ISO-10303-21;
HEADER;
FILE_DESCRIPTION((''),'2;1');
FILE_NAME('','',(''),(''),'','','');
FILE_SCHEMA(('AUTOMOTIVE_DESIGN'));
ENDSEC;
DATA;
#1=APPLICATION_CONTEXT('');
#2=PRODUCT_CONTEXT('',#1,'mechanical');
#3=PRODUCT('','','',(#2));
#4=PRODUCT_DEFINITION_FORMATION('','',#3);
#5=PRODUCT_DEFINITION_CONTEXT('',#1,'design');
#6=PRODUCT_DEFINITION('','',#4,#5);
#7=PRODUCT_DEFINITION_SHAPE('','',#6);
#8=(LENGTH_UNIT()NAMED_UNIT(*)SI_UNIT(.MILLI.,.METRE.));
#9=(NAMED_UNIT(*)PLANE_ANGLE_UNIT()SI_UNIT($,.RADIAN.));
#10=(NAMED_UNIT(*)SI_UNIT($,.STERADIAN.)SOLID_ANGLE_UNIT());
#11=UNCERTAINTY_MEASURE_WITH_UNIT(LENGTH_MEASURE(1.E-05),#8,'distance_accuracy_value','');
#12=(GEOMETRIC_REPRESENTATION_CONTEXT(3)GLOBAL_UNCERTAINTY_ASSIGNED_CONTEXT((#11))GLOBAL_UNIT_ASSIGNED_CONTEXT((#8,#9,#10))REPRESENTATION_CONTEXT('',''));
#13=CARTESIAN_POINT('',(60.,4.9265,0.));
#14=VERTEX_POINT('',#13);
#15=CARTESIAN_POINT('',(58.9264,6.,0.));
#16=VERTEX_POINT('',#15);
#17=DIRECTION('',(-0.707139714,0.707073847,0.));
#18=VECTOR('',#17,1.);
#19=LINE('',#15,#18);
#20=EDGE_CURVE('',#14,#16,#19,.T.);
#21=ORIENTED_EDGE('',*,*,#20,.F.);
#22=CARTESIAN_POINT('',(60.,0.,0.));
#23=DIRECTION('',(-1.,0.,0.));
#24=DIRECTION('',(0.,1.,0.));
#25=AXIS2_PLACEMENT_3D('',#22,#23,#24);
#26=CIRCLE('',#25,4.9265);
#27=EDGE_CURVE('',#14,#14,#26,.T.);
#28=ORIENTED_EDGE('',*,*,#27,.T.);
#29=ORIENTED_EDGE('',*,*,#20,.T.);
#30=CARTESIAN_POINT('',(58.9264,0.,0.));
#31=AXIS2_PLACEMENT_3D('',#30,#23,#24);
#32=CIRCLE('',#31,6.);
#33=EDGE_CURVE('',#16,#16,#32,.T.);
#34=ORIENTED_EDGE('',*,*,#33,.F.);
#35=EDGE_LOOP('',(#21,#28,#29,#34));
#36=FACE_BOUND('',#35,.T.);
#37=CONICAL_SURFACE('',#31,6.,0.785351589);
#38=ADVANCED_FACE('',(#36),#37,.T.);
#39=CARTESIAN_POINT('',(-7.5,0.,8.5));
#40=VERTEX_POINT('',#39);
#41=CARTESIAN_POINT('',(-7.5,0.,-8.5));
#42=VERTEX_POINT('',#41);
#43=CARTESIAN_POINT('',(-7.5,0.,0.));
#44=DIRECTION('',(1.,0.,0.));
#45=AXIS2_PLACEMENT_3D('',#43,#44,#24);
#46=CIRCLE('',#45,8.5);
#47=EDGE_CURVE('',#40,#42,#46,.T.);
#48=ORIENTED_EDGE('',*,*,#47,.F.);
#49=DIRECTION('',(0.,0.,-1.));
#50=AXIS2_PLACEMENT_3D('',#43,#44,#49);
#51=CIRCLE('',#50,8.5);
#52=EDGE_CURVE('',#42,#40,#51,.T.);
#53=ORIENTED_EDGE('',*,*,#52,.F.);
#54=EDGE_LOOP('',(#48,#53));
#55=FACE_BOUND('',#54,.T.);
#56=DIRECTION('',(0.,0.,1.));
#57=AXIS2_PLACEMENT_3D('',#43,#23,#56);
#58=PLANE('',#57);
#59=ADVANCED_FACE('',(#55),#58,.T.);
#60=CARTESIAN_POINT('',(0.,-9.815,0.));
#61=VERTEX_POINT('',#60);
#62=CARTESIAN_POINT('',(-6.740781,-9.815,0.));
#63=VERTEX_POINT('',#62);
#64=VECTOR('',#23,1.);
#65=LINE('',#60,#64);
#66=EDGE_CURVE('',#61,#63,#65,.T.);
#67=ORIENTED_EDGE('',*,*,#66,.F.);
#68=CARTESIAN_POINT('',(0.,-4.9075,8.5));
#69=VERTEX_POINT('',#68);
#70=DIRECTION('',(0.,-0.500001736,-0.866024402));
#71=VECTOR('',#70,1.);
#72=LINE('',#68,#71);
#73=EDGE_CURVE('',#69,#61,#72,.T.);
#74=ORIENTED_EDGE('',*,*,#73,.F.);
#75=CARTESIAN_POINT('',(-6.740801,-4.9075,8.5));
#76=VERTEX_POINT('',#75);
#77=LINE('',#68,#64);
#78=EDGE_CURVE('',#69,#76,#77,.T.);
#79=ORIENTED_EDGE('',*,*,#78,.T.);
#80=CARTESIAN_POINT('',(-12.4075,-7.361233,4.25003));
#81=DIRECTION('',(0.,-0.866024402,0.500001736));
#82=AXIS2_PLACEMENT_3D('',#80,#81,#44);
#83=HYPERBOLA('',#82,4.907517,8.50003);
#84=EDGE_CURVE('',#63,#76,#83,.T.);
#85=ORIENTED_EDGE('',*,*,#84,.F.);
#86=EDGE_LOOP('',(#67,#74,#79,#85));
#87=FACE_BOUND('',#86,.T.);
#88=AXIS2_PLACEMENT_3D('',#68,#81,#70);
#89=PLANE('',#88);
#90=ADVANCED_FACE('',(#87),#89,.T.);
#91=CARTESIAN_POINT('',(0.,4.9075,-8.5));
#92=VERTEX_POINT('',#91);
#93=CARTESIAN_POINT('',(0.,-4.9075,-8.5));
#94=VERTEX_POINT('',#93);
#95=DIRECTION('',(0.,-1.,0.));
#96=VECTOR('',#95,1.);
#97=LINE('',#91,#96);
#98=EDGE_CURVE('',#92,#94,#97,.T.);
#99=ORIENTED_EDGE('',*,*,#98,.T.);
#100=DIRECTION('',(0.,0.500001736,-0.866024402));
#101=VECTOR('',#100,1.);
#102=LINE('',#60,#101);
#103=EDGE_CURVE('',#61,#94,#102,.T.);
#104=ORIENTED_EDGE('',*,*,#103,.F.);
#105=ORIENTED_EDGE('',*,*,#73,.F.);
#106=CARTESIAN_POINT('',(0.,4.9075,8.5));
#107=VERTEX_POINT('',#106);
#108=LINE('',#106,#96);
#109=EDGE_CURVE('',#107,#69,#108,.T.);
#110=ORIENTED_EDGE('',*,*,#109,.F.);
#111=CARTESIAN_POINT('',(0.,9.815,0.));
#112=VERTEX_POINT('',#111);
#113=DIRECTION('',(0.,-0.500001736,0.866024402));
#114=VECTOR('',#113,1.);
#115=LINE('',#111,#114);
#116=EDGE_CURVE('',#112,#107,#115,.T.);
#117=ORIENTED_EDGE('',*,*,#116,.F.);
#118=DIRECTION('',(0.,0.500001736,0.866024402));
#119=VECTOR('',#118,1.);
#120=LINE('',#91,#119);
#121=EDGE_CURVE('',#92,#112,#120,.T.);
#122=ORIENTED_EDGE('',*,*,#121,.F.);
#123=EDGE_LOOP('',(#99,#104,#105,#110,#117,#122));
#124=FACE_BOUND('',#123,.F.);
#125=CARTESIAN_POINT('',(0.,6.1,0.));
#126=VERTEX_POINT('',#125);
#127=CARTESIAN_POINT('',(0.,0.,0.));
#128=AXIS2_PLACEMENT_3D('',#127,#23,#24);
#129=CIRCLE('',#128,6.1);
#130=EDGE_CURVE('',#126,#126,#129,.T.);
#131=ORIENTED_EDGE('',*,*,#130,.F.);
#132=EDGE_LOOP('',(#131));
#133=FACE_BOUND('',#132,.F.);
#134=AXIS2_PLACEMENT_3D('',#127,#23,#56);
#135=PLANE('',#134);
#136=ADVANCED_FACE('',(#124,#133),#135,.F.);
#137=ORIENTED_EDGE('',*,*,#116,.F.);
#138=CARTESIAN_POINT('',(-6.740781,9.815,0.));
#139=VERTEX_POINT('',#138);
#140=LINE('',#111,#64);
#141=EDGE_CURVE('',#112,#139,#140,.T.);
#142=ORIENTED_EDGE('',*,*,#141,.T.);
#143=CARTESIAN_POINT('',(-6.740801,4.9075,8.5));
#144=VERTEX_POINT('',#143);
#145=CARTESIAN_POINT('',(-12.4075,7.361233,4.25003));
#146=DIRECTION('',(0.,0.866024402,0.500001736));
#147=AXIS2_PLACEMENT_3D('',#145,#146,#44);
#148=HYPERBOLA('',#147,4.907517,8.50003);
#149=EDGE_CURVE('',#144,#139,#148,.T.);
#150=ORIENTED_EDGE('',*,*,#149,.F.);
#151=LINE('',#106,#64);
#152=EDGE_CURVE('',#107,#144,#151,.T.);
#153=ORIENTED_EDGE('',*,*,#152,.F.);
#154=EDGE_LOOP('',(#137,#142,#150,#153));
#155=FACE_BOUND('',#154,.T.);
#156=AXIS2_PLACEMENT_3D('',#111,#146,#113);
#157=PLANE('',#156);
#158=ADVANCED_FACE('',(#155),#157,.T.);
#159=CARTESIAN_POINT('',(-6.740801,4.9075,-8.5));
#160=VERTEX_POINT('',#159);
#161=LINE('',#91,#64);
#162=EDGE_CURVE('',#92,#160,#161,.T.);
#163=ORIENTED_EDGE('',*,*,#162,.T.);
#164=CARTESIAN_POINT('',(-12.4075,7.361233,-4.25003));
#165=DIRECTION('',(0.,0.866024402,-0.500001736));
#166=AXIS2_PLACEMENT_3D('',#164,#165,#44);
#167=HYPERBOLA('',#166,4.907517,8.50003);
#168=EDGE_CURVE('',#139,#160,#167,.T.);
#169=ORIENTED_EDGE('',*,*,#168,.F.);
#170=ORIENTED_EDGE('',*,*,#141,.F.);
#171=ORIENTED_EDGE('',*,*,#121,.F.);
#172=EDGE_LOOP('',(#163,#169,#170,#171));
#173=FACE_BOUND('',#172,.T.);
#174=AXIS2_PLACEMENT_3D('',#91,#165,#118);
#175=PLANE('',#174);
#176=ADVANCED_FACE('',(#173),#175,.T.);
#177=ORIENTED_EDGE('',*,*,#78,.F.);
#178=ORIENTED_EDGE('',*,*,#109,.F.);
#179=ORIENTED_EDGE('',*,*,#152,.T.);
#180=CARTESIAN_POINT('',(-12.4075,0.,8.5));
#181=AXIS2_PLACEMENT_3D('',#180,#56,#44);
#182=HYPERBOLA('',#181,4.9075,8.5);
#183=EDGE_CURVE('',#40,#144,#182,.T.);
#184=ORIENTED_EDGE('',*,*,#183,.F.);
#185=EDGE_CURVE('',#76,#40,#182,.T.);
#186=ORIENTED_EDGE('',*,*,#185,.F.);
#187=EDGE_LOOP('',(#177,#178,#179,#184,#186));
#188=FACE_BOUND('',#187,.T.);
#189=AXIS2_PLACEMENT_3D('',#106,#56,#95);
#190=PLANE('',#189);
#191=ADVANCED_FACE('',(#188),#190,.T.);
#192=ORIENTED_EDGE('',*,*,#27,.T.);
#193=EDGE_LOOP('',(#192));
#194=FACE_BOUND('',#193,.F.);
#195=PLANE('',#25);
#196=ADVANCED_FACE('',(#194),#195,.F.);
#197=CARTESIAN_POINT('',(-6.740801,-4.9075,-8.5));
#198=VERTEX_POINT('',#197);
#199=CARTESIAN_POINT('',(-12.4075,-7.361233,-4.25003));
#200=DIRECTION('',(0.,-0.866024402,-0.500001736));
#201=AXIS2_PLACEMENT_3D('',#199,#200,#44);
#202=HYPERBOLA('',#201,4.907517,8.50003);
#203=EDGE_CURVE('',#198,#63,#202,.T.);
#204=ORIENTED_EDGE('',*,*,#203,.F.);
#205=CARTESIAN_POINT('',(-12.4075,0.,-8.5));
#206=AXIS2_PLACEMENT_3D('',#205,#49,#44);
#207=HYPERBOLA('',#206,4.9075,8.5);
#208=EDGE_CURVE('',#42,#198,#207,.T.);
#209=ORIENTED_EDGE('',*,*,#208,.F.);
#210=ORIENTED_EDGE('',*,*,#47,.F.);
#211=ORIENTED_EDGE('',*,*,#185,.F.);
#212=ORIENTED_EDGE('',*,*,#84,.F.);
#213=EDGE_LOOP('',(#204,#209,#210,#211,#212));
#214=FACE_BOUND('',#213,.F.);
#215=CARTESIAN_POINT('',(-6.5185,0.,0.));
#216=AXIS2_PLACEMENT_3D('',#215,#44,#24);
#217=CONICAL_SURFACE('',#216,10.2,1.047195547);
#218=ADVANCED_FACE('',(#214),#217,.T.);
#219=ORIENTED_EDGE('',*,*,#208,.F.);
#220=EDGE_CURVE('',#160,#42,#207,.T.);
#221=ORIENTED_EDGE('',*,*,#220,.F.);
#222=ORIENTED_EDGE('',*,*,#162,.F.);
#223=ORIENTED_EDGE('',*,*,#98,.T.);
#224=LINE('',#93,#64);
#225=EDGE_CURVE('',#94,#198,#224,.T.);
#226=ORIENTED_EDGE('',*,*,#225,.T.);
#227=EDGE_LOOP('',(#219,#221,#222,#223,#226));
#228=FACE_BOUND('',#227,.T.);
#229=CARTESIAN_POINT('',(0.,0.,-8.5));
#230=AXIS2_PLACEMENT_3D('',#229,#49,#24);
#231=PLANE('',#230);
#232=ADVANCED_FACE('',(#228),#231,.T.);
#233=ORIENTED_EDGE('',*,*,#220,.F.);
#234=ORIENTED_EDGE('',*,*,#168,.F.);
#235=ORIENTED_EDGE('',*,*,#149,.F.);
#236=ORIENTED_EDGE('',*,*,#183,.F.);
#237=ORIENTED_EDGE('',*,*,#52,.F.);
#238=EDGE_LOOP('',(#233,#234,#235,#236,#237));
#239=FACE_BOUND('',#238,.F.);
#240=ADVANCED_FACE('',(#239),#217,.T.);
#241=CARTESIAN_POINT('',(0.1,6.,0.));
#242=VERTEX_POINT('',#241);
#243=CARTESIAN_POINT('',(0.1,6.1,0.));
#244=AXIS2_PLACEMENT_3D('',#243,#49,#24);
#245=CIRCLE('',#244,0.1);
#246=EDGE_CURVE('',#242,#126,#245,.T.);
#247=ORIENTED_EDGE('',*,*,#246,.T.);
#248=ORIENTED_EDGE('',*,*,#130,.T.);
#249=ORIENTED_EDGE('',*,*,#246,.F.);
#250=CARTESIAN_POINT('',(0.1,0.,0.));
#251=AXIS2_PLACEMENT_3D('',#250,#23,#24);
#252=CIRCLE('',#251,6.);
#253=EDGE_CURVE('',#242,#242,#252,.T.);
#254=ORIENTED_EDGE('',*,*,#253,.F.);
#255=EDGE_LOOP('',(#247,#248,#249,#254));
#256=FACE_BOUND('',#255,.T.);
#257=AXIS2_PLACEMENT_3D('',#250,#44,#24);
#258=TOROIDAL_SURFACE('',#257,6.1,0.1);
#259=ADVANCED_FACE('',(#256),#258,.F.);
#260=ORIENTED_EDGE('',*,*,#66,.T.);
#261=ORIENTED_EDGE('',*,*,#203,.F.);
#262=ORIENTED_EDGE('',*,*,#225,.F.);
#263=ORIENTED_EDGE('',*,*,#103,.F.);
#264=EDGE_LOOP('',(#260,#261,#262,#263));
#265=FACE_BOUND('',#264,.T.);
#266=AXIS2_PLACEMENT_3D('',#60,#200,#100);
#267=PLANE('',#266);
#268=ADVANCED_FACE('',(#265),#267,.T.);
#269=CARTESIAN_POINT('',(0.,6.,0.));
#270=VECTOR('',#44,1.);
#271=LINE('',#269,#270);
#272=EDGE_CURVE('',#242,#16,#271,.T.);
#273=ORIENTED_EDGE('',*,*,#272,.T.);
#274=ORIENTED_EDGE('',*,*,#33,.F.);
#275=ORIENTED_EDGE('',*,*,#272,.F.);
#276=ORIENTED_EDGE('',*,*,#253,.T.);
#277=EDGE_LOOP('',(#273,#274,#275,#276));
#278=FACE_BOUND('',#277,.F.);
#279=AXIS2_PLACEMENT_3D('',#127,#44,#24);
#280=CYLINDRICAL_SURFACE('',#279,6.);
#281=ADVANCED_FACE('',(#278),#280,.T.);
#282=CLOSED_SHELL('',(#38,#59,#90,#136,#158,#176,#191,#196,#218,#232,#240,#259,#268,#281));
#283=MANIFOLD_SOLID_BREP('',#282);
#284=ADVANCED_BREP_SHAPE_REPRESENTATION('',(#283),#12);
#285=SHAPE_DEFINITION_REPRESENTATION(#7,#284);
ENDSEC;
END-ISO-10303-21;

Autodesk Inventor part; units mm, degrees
ref_plane "YZ Plane" through (0, 0, 0) normal (1, 0, 0) x (0, 1, 0)
ref_plane "XZ Plane" through (0, 0, 0) normal (0, 1, 0) x (-1, 0, 0)
sketch "Skizze1" plane through (0, 0, 0) normal (0, 0, 1) x (1, 0, 0)
  line L0 (0, 6) -> (60, 6)
  line L1 (60, 6) -> (60, 0)
  line L2 (60, 0) -> (0, 0)
  line L3 (-12, 0) -> (72, 0) projected
  line L4 (0, -1.2) -> (0, 7.2) projected
  line L5 (0, 6) -> (0, 0)
  dimension "d2" = 12
  dimension "d59" = 60
revolve "Körper" add sketch "Skizze1" angle 360 about axis through (60, 0, 0) along (-1, 0, 0)
sketch "Skizze2" plane through (0, 0, 0) normal (-1, 0, 0) x (0, 0, 1)
  line L0 (0, 9.815) -> (8.5, 4.9075)
  line L1 (8.5, 4.9075) -> (8.5, -4.9075)
  line L2 (8.5, -4.9075) -> (0, -9.815)
  line L3 (0, -9.815) -> (-8.5, -4.9075)
  line L4 (-8.5, -4.9075) -> (-8.5, 4.9075)
  line L5 (-8.5, 4.9075) -> (0, 9.815)
  line L6 (-11.9, 0) -> (11.9, 0) projected
  line L7 (0, 13.7409) -> (0, -13.7409) projected
  point P0 (0, 0)
  point P1 (0, 0)
  dimension "d11" = 17
extrude "Kopf" add sketch "Skizze2" along normal blind 7.5
sketch "Skizze4" plane through (0, 0, 0) normal (0, 0, 1) x (1, 0, 0)
  line L0 (-6.5185, 10.2) -> (-7.5, 8.5)
  line L1 (-1.1, 0) -> (-0.234, 0)
  line L2 (-8.9532, 0) -> (1.2192, 0) projected
  line L3 (-7.5, 10.2) -> (-6.5185, 10.2)
  line L4 (-7.5, 8.5) -> (-7.5, 10.2)
  line L5 (0, 12.24) -> (0, -2.04) projected
  dimension "d65" = 17
  dimension "d67" = 30
  dimension "d68" = 20.4
  dimension "d69" = 7.5
revolve "Fase1" cut sketch "Skizze4" angle 360 about axis through (-1.1, 0, 0) along (1, 0, 0)
thread "Gewinde" size "M12x1.75" class "6g" standard "ISO Metric profile" length 30
chamfer "Fase2" distance 1.0735 distance2 1.0736 1 edges at (60, -6, 0) measured on face at (60, -2.1318, 1.2492)
fillet "Fillet2" radius 0.1 1 edges at (0, -6, 0)
ref_plane "Work Plane1" through (1.525, 0, 0) normal (0, 0, 1) x (1, 0, 0)
equation "\"d2\" = GD"
equation "\"d59\" = NLG"
equation "\"d11\" = SW"
equation "\"d3\" = KOH"
equation "\"d71\" = RR"
equation "\"d15\" = GEL"
equation "\"d6\" = -0.5 * SPD + 0.5 * GD"
equation "\"d65\" = SW"
equation "\"d67\" = ANG1"
equation "\"d68\" = 1.2 * SW"
equation "\"d69\" = KOH"
equation "\"NLG\" = 60"
equation "\"GD\" = NND"
equation "\"BDM\" = NND"
equation "\"KOH\" = 7.5"
equation "\"GEL\" = 30"
equation "\"SW\" = 17"
equation "\"SW0\" = SW"
equation "\"SPD\" = NND - 1.2269 * PTC"
equation "\"SD2\" = NND"
equation "\"SD\" = 0"
equation "\"ANG1\" = 30deg"
equation "\"GAL\" = 0.61345 * PTC"
equation "\"GUL\" = 0.61345 * PTC"
equation "\"RR\" = 0.1"
equation "\"RR1\" = 0.1"
equation "\"GD1\" = THREADDIA - 1.2269 * PTC"
equation "\"THREADDIA\" = 12"
equation "\"TOA\" = 30deg"
equation "\"PTC\" = 1.75"
equation "\"NND\" = 12"
equation "\"E0\" = 1.155 * SW"
properties part number "ISO 4016 - M12 x 60" material "Steel, Mild"
